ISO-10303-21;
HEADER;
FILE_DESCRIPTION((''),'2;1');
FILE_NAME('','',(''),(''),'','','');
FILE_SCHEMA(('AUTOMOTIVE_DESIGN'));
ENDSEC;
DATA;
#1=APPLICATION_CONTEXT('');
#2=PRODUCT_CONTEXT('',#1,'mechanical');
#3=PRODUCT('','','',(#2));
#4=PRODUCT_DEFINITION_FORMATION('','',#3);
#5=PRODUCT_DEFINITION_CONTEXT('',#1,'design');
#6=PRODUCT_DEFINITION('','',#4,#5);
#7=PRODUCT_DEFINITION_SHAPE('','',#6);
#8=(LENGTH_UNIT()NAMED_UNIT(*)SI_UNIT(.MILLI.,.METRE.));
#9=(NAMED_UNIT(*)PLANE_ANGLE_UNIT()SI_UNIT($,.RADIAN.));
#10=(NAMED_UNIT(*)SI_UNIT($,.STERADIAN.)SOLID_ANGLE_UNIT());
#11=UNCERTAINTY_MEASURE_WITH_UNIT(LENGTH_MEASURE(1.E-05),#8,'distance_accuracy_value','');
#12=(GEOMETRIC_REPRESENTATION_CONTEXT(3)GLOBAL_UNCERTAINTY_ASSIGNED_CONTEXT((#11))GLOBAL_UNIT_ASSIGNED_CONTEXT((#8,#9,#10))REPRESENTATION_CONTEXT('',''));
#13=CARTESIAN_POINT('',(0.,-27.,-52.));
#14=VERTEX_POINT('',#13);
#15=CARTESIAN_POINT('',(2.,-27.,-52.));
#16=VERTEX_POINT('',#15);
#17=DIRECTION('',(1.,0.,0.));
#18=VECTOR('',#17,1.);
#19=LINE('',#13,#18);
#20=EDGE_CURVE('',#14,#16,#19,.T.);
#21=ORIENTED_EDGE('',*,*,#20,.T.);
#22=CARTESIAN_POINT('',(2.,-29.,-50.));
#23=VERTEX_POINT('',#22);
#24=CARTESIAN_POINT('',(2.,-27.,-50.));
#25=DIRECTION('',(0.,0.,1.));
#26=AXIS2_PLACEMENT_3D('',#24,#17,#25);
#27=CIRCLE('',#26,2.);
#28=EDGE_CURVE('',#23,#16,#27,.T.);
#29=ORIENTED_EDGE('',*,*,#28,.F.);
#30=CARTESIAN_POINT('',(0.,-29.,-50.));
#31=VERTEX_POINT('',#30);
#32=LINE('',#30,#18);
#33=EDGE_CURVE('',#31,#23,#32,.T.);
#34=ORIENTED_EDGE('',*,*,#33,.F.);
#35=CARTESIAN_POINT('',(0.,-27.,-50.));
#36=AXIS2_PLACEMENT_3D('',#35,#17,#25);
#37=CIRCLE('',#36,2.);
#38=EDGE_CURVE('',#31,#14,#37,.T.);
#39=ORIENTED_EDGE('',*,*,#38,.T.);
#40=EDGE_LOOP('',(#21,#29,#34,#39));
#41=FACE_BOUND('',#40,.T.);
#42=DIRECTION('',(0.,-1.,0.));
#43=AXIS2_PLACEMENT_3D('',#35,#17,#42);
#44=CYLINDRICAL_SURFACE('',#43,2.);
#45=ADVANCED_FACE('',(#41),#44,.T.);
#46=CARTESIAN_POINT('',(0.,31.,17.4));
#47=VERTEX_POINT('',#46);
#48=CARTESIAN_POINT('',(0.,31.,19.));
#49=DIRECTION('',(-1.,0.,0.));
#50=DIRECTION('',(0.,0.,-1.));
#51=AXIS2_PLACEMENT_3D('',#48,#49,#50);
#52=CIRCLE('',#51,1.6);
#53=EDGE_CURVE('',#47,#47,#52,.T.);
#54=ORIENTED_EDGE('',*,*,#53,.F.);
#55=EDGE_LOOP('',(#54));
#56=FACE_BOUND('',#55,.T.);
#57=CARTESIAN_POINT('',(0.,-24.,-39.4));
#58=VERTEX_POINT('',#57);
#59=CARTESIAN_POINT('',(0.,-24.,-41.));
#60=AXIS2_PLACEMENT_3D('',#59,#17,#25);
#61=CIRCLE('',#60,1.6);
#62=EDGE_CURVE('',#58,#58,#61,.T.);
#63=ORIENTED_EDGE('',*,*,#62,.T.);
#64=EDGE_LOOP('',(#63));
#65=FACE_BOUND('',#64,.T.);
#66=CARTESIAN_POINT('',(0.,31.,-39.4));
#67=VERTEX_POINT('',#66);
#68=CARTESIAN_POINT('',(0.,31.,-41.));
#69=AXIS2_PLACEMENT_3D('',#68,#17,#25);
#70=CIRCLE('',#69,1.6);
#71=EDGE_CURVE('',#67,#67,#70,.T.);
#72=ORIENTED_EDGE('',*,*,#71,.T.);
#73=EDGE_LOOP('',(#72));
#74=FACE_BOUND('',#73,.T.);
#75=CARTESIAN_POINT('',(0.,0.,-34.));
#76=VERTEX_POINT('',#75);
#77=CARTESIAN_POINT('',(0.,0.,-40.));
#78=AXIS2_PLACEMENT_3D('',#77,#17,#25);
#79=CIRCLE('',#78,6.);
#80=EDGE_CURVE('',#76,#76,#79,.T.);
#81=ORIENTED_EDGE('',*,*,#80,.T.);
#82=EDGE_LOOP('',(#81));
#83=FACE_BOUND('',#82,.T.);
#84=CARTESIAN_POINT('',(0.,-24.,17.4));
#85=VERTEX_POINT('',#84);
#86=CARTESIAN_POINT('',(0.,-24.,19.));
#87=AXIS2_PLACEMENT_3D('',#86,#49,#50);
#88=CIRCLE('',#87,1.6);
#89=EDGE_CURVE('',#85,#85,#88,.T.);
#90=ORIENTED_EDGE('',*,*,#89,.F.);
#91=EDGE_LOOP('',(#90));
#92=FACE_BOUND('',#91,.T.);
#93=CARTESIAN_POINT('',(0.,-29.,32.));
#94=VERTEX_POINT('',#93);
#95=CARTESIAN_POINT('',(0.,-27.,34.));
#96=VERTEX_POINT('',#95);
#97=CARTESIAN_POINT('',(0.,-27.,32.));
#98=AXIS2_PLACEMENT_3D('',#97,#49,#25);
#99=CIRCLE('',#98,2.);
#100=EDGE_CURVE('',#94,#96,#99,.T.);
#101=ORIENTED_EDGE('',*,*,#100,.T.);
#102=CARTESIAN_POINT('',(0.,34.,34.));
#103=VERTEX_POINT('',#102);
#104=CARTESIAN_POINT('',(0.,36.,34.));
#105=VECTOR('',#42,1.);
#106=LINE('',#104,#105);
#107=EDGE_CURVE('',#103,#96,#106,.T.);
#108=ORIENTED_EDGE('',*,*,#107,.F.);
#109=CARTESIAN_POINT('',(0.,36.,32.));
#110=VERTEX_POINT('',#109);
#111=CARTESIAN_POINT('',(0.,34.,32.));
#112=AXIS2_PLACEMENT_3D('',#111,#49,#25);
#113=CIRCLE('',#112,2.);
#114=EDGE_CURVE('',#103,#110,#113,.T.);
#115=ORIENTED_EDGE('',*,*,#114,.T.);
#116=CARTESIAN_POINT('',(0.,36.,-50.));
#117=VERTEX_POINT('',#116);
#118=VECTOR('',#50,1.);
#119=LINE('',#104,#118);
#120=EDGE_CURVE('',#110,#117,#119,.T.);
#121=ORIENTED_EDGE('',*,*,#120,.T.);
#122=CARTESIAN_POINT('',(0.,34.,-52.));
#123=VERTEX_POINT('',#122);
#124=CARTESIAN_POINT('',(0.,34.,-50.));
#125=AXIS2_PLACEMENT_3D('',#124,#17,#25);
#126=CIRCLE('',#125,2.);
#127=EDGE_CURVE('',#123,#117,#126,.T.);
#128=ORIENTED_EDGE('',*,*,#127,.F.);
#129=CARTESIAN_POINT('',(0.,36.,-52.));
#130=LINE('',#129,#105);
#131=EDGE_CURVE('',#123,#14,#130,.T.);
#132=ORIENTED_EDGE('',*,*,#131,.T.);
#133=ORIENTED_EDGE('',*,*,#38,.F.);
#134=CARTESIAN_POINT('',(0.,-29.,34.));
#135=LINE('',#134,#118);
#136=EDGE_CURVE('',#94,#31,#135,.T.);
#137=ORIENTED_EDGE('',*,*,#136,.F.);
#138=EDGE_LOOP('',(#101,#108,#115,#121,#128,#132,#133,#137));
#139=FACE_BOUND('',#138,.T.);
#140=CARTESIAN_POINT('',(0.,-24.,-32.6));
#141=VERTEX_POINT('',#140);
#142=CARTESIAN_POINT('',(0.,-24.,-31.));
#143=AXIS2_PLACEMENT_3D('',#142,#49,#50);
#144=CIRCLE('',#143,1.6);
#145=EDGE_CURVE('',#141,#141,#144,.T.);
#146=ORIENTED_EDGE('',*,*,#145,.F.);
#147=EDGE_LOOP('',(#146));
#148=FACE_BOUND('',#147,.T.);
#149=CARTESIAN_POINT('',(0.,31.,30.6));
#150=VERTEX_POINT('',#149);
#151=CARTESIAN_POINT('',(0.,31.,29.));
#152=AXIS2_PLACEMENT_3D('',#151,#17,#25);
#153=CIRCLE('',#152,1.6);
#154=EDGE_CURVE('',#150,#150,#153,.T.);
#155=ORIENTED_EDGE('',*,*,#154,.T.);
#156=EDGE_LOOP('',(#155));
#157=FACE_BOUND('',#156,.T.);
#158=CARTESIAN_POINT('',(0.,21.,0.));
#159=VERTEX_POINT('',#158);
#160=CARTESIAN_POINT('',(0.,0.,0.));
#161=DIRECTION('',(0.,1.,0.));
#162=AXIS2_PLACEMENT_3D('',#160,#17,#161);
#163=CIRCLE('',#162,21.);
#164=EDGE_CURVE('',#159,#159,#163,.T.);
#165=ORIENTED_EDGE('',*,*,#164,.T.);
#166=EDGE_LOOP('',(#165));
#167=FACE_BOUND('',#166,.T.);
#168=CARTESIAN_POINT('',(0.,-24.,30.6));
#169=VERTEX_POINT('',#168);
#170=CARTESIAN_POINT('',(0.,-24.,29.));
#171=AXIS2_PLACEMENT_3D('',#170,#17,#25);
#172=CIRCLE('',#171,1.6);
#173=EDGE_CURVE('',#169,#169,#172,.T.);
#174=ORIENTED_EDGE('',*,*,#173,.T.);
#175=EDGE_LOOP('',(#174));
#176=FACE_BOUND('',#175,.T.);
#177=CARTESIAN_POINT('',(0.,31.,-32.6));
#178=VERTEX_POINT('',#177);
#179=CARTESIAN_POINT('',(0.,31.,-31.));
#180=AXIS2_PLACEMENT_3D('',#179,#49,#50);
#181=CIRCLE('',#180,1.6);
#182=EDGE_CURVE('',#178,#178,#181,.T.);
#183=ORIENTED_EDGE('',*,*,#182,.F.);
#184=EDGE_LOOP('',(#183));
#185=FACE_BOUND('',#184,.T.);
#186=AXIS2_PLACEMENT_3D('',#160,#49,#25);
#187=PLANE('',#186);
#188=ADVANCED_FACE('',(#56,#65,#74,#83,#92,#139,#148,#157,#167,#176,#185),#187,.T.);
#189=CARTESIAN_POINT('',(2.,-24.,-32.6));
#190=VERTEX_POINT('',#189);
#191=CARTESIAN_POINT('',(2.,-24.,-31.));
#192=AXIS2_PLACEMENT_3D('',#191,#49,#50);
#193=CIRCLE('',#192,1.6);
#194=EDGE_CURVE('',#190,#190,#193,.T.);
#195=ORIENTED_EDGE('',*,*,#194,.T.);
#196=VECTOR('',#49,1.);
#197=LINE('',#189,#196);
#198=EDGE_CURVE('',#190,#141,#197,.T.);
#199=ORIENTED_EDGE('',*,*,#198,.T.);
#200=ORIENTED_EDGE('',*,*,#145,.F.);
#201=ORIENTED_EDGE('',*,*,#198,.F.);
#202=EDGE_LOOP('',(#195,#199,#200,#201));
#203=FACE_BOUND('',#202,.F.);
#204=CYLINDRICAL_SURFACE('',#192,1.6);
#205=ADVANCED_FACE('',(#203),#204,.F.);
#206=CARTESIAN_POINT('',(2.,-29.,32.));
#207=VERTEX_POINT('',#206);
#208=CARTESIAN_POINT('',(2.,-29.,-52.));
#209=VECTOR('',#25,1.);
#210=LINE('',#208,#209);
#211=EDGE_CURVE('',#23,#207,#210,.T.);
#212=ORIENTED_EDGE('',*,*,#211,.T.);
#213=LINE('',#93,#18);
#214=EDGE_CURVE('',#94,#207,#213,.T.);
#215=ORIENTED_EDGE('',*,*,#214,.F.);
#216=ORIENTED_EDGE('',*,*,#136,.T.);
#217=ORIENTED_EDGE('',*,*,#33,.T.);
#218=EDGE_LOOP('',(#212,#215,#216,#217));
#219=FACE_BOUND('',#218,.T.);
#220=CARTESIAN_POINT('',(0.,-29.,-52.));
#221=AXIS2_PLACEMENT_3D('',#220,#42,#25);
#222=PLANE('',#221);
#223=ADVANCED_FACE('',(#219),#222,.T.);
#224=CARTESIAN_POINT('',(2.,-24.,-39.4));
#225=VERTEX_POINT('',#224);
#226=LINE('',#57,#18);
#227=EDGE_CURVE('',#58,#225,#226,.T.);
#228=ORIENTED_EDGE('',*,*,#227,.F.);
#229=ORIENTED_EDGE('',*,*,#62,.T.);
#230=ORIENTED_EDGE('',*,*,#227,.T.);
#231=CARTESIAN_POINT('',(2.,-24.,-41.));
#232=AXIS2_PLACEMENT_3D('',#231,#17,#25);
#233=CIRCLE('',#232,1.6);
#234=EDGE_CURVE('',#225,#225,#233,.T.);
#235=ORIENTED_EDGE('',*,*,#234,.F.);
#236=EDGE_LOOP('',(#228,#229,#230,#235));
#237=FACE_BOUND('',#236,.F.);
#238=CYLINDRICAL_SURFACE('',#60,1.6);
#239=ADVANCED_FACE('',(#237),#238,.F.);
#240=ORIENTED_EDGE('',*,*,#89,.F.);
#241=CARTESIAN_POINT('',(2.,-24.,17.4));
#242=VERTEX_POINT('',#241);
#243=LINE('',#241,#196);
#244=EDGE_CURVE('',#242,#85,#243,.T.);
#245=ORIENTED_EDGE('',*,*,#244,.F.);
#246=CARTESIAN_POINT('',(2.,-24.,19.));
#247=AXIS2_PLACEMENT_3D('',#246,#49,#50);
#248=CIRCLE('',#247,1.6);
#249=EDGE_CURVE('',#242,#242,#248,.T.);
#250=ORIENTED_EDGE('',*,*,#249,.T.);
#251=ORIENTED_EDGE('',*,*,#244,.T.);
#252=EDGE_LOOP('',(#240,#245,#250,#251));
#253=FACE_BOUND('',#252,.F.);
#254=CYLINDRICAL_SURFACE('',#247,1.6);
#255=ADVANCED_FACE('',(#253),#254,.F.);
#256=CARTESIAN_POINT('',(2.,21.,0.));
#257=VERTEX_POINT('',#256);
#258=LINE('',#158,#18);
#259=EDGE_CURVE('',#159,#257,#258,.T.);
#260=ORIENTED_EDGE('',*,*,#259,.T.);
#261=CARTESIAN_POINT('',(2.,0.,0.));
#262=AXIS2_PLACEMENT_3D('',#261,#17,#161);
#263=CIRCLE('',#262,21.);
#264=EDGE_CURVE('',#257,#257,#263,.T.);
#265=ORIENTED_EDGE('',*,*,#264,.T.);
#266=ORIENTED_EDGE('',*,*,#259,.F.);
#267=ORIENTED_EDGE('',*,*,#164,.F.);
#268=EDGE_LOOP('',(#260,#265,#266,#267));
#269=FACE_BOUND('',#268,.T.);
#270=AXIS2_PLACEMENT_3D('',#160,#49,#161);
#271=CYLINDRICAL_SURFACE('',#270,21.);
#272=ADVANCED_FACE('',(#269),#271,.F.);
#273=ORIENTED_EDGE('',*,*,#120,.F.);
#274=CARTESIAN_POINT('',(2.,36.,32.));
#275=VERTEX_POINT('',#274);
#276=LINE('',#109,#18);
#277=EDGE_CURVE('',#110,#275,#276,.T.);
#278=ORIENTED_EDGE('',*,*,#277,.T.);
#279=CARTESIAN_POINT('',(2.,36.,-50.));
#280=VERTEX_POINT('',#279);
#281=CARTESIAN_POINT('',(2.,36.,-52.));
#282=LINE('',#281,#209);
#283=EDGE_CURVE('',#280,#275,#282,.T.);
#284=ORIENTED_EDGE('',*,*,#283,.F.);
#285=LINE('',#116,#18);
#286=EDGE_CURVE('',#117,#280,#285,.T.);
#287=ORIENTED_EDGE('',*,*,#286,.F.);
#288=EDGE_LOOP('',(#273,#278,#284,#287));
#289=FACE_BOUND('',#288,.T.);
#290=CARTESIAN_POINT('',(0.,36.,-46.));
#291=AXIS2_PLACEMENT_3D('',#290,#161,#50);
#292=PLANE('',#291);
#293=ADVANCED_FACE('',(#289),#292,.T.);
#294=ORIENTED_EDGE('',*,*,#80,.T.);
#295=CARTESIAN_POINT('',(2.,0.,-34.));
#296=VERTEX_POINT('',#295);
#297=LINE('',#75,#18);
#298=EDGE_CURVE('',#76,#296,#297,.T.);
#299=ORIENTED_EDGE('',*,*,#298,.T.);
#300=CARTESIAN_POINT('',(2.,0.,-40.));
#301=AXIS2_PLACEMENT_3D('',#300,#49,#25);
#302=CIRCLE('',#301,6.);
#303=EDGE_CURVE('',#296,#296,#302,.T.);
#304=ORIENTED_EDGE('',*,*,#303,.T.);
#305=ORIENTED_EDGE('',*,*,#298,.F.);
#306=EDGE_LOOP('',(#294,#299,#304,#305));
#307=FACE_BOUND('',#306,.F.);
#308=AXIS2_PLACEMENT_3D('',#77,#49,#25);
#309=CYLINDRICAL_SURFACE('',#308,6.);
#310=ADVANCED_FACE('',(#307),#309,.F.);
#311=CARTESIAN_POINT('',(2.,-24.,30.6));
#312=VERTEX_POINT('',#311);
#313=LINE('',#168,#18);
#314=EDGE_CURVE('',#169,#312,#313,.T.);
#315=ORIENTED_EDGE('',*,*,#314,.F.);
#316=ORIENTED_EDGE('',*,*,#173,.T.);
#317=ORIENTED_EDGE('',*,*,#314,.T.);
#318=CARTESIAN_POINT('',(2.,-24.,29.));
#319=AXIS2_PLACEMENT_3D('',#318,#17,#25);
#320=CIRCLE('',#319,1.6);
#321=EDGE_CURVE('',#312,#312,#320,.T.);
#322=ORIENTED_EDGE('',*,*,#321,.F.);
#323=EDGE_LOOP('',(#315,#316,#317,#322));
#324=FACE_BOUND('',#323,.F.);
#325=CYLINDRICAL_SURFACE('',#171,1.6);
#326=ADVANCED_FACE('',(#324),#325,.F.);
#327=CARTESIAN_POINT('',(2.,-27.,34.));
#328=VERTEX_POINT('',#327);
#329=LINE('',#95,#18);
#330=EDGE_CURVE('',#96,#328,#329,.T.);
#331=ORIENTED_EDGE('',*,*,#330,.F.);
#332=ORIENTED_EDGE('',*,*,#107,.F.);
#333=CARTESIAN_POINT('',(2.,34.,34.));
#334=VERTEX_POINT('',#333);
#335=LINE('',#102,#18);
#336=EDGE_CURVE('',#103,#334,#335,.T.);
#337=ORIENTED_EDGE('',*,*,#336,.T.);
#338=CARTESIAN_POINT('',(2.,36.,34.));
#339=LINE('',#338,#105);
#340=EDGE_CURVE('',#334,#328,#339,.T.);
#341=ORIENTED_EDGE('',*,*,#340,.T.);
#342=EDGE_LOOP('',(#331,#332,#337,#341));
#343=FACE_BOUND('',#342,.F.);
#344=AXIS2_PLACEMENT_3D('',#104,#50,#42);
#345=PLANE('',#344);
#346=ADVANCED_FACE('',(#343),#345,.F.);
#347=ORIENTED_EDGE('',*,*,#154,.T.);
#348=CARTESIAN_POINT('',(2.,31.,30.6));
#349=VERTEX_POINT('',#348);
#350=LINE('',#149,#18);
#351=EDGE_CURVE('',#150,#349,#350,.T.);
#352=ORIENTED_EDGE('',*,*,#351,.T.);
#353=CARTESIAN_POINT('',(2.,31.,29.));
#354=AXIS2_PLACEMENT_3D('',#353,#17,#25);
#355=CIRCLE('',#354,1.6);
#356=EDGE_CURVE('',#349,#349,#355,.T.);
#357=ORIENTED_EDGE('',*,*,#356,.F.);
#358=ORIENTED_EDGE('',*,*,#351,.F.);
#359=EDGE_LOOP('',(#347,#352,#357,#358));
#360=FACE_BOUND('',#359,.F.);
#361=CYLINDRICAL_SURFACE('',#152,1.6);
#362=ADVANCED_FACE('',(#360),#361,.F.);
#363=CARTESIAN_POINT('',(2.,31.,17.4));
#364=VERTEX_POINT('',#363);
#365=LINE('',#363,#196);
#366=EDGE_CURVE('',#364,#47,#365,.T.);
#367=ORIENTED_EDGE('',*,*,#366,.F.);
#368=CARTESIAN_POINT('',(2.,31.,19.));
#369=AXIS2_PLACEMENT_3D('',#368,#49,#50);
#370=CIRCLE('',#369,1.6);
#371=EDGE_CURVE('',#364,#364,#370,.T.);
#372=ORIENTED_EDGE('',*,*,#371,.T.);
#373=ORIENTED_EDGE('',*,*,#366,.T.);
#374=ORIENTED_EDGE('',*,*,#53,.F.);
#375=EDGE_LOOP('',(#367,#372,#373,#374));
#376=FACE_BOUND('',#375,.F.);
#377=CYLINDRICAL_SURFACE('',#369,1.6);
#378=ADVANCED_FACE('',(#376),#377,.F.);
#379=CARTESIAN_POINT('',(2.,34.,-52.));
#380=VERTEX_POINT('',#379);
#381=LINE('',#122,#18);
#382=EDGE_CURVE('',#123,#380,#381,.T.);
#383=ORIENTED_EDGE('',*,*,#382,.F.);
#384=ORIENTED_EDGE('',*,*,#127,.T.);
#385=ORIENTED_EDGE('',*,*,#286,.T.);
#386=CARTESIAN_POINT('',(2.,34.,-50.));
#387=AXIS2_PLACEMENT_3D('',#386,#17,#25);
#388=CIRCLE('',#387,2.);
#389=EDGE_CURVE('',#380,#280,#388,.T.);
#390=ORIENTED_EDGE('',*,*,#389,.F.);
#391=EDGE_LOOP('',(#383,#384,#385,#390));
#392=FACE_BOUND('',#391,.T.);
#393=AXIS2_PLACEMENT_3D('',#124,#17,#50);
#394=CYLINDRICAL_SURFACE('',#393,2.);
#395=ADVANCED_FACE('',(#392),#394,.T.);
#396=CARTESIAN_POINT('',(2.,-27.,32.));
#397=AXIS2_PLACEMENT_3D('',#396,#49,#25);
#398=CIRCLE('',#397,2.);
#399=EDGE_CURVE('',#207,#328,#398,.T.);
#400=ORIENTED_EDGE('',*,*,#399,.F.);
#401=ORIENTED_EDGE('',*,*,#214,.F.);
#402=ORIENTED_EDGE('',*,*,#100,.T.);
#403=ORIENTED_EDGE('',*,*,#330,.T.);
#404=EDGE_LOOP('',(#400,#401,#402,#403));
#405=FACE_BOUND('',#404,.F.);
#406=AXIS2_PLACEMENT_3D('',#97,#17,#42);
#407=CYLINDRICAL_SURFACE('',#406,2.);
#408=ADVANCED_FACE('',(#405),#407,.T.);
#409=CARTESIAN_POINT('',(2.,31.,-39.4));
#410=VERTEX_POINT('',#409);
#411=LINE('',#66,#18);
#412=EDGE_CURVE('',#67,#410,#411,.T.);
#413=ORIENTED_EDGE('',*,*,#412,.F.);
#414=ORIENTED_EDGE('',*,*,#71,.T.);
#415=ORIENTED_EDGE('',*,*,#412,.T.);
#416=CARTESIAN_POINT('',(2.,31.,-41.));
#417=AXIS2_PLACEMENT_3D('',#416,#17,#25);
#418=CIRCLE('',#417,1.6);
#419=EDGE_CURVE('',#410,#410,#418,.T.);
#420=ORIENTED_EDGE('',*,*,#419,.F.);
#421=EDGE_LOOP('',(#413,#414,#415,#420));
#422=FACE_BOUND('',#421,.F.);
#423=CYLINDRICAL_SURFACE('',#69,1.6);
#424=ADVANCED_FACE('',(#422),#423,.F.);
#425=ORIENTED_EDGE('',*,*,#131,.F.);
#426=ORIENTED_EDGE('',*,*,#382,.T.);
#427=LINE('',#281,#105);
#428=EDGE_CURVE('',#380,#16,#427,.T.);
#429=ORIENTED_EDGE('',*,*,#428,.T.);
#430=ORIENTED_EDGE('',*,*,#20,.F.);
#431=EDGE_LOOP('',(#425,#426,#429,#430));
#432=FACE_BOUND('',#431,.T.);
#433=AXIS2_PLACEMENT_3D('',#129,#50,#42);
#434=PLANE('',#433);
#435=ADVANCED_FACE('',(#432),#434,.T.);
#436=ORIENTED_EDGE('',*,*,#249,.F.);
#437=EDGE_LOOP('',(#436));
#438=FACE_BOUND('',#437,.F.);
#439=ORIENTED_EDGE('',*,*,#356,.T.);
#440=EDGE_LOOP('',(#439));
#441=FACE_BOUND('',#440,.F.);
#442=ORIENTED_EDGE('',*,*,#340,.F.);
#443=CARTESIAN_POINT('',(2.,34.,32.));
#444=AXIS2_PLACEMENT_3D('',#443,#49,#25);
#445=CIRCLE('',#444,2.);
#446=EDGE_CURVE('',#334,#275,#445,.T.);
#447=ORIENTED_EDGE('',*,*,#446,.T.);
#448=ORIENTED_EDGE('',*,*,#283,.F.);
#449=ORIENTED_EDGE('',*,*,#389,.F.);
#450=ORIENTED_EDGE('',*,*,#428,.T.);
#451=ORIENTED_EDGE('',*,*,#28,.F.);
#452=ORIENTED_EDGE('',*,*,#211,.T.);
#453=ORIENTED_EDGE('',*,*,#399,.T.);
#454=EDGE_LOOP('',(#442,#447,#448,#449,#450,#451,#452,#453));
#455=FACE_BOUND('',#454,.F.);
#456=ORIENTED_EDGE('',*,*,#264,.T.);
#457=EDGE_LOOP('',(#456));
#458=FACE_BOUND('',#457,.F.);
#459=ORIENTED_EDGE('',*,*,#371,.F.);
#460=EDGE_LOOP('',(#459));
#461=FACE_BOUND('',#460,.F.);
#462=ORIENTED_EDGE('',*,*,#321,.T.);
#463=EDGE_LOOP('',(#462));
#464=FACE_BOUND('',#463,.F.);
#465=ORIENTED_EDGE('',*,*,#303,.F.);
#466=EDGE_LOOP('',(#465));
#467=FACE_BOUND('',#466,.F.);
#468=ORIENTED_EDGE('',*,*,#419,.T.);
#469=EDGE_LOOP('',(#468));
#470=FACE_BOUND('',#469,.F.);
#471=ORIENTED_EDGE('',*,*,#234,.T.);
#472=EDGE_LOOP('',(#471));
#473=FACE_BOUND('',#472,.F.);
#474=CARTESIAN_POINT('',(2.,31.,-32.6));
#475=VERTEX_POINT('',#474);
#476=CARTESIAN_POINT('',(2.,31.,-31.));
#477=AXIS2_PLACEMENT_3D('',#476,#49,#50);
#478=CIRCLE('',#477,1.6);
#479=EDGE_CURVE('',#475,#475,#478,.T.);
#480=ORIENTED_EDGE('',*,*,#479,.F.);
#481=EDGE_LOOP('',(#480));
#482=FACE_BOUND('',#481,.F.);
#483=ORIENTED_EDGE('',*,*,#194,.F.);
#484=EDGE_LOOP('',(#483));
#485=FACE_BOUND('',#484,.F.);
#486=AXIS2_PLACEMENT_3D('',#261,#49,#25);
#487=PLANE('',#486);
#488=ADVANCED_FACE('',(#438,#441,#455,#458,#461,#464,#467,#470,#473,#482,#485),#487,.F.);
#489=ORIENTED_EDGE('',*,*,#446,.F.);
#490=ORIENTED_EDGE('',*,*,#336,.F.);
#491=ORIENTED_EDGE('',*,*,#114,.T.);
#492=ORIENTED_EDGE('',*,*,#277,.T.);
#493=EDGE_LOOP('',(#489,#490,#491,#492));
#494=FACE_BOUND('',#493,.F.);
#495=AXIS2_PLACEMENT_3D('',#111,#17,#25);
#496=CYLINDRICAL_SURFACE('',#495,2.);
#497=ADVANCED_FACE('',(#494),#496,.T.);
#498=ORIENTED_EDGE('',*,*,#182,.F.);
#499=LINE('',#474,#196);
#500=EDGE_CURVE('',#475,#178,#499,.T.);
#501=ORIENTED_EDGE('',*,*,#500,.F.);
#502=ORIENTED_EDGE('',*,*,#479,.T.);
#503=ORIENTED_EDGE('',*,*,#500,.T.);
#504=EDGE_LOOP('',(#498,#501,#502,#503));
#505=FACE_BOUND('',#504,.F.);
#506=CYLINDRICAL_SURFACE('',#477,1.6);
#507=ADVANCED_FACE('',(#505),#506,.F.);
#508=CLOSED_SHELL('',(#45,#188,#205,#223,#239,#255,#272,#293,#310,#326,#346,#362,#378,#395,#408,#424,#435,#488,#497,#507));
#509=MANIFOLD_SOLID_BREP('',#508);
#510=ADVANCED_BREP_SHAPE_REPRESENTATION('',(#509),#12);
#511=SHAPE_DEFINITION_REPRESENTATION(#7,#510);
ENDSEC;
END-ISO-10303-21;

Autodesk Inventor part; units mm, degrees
ref_plane "YZ Plane" through (0, 0, 0) normal (1, 0, 0) x (0, 1, 0)
ref_plane "XZ Plane" through (0, 0, 0) normal (0, 1, 0) x (-1, 0, 0)
ref_plane "XY Plane" through (0, 0, 0) normal (0, 0, 1) x (1, 0, 0)
sketch "Sketch1" plane through (0, 0, 0) normal (1, 0, 0) x (0, 1, 0)
  circle A0 centre (0, 0) radius 21
  line L0 (36, -46) -> (36, 34)
  line L1 (36, 34) -> (-29, 34)
  line L2 (-29, 34) -> (-29, -46)
  line L3 (-29, -46) -> (36, -46)
  point P0 (0, -17.5)
  point P1 (17.5, 0)
  point P2 (0, 17.5)
  point P3 (-17.5, 0)
  point P4 (0, -30)
  point P5 (0, 30)
  point P6 (31, -41)
  point P7 (31, 29)
  point P8 (-24, 29)
  point P9 (-24, -41)
  dimension "d6" = 30
  dimension "d9" = 360
  dimension "d15" = 5
  dimension "d16" = 5
  dimension "d17" = 80
  dimension "d18" = 65
  dimension "d28" = 5
  dimension "d29" = 55
  dimension "d30" = 55
  dimension "d38" = 42
extrude "Extrusion1" add sketch "Sketch1" along normal blind 2
hole "Hole1" at (0, 0, -17.5) at (0, 17.5, 0) at (0, 0, 17.5) at (0, -17.5, 0) at (0, 31, -41) at (0, 31, 29) at (0, -24, 29) at (0, -24, -41) direction (1, 0, 0) diameter 3.2 depth 43.75 tip angle 118
sketch "Sketch2" plane through (0, 0, 0) normal (-1, 0, 0) x (0, 0, 1)
  circle A0 centre (-40, 0) radius 6
  line L0 (-46, 36) -> (34, 36) projected
  line L1 (-46, 36) -> (-52, 36)
  line L2 (-52, 36) -> (-52, -29)
  line L3 (-52, -29) -> (-46, -29)
  line L4 (-46, -29) -> (-46, 36)
  point P0 (0, 0)
  point P1 (0, 25.1294)
  point P2 (0, -32.6005)
  dimension "d31" = 40
  dimension "d32" = 12
  dimension "d33" = 6
extrude "Extrusion2" add sketch "Sketch2" against normal blind 2 contours L4 L3 L2 L1
extrude "Extrusion3" cut sketch "Sketch2" against normal blind 2 contours A0
sketch "Sketch3" plane through (2, 0, 0) normal (1, 0, 0) x (0, 0, -1)
  circle A0 centre (-29, 31) radius 1.6 projected
  circle A1 centre (41, 31) radius 1.6 projected
  point P0 (0, 0)
  point P1 (-19, 31)
  point P2 (31, 31)
  point P3 (-19, -24)
  point P4 (31, -24)
  dimension "d39" = 10
  dimension "d40" = 10
hole "Hole2" at (2, 31, 19) at (2, 31, -31) at (2, -24, 19) at (2, -24, -31) direction (-1, 0, 0) diameter 3.2 depth 43.75 tip angle 118
fillet "Fillet1" radius 2 4 edges at (1, 36, 34) (1, 36, -52) (1, -29, -52) (1, -29, 34)
properties part number "motor" material "アルミニウム 6061"
